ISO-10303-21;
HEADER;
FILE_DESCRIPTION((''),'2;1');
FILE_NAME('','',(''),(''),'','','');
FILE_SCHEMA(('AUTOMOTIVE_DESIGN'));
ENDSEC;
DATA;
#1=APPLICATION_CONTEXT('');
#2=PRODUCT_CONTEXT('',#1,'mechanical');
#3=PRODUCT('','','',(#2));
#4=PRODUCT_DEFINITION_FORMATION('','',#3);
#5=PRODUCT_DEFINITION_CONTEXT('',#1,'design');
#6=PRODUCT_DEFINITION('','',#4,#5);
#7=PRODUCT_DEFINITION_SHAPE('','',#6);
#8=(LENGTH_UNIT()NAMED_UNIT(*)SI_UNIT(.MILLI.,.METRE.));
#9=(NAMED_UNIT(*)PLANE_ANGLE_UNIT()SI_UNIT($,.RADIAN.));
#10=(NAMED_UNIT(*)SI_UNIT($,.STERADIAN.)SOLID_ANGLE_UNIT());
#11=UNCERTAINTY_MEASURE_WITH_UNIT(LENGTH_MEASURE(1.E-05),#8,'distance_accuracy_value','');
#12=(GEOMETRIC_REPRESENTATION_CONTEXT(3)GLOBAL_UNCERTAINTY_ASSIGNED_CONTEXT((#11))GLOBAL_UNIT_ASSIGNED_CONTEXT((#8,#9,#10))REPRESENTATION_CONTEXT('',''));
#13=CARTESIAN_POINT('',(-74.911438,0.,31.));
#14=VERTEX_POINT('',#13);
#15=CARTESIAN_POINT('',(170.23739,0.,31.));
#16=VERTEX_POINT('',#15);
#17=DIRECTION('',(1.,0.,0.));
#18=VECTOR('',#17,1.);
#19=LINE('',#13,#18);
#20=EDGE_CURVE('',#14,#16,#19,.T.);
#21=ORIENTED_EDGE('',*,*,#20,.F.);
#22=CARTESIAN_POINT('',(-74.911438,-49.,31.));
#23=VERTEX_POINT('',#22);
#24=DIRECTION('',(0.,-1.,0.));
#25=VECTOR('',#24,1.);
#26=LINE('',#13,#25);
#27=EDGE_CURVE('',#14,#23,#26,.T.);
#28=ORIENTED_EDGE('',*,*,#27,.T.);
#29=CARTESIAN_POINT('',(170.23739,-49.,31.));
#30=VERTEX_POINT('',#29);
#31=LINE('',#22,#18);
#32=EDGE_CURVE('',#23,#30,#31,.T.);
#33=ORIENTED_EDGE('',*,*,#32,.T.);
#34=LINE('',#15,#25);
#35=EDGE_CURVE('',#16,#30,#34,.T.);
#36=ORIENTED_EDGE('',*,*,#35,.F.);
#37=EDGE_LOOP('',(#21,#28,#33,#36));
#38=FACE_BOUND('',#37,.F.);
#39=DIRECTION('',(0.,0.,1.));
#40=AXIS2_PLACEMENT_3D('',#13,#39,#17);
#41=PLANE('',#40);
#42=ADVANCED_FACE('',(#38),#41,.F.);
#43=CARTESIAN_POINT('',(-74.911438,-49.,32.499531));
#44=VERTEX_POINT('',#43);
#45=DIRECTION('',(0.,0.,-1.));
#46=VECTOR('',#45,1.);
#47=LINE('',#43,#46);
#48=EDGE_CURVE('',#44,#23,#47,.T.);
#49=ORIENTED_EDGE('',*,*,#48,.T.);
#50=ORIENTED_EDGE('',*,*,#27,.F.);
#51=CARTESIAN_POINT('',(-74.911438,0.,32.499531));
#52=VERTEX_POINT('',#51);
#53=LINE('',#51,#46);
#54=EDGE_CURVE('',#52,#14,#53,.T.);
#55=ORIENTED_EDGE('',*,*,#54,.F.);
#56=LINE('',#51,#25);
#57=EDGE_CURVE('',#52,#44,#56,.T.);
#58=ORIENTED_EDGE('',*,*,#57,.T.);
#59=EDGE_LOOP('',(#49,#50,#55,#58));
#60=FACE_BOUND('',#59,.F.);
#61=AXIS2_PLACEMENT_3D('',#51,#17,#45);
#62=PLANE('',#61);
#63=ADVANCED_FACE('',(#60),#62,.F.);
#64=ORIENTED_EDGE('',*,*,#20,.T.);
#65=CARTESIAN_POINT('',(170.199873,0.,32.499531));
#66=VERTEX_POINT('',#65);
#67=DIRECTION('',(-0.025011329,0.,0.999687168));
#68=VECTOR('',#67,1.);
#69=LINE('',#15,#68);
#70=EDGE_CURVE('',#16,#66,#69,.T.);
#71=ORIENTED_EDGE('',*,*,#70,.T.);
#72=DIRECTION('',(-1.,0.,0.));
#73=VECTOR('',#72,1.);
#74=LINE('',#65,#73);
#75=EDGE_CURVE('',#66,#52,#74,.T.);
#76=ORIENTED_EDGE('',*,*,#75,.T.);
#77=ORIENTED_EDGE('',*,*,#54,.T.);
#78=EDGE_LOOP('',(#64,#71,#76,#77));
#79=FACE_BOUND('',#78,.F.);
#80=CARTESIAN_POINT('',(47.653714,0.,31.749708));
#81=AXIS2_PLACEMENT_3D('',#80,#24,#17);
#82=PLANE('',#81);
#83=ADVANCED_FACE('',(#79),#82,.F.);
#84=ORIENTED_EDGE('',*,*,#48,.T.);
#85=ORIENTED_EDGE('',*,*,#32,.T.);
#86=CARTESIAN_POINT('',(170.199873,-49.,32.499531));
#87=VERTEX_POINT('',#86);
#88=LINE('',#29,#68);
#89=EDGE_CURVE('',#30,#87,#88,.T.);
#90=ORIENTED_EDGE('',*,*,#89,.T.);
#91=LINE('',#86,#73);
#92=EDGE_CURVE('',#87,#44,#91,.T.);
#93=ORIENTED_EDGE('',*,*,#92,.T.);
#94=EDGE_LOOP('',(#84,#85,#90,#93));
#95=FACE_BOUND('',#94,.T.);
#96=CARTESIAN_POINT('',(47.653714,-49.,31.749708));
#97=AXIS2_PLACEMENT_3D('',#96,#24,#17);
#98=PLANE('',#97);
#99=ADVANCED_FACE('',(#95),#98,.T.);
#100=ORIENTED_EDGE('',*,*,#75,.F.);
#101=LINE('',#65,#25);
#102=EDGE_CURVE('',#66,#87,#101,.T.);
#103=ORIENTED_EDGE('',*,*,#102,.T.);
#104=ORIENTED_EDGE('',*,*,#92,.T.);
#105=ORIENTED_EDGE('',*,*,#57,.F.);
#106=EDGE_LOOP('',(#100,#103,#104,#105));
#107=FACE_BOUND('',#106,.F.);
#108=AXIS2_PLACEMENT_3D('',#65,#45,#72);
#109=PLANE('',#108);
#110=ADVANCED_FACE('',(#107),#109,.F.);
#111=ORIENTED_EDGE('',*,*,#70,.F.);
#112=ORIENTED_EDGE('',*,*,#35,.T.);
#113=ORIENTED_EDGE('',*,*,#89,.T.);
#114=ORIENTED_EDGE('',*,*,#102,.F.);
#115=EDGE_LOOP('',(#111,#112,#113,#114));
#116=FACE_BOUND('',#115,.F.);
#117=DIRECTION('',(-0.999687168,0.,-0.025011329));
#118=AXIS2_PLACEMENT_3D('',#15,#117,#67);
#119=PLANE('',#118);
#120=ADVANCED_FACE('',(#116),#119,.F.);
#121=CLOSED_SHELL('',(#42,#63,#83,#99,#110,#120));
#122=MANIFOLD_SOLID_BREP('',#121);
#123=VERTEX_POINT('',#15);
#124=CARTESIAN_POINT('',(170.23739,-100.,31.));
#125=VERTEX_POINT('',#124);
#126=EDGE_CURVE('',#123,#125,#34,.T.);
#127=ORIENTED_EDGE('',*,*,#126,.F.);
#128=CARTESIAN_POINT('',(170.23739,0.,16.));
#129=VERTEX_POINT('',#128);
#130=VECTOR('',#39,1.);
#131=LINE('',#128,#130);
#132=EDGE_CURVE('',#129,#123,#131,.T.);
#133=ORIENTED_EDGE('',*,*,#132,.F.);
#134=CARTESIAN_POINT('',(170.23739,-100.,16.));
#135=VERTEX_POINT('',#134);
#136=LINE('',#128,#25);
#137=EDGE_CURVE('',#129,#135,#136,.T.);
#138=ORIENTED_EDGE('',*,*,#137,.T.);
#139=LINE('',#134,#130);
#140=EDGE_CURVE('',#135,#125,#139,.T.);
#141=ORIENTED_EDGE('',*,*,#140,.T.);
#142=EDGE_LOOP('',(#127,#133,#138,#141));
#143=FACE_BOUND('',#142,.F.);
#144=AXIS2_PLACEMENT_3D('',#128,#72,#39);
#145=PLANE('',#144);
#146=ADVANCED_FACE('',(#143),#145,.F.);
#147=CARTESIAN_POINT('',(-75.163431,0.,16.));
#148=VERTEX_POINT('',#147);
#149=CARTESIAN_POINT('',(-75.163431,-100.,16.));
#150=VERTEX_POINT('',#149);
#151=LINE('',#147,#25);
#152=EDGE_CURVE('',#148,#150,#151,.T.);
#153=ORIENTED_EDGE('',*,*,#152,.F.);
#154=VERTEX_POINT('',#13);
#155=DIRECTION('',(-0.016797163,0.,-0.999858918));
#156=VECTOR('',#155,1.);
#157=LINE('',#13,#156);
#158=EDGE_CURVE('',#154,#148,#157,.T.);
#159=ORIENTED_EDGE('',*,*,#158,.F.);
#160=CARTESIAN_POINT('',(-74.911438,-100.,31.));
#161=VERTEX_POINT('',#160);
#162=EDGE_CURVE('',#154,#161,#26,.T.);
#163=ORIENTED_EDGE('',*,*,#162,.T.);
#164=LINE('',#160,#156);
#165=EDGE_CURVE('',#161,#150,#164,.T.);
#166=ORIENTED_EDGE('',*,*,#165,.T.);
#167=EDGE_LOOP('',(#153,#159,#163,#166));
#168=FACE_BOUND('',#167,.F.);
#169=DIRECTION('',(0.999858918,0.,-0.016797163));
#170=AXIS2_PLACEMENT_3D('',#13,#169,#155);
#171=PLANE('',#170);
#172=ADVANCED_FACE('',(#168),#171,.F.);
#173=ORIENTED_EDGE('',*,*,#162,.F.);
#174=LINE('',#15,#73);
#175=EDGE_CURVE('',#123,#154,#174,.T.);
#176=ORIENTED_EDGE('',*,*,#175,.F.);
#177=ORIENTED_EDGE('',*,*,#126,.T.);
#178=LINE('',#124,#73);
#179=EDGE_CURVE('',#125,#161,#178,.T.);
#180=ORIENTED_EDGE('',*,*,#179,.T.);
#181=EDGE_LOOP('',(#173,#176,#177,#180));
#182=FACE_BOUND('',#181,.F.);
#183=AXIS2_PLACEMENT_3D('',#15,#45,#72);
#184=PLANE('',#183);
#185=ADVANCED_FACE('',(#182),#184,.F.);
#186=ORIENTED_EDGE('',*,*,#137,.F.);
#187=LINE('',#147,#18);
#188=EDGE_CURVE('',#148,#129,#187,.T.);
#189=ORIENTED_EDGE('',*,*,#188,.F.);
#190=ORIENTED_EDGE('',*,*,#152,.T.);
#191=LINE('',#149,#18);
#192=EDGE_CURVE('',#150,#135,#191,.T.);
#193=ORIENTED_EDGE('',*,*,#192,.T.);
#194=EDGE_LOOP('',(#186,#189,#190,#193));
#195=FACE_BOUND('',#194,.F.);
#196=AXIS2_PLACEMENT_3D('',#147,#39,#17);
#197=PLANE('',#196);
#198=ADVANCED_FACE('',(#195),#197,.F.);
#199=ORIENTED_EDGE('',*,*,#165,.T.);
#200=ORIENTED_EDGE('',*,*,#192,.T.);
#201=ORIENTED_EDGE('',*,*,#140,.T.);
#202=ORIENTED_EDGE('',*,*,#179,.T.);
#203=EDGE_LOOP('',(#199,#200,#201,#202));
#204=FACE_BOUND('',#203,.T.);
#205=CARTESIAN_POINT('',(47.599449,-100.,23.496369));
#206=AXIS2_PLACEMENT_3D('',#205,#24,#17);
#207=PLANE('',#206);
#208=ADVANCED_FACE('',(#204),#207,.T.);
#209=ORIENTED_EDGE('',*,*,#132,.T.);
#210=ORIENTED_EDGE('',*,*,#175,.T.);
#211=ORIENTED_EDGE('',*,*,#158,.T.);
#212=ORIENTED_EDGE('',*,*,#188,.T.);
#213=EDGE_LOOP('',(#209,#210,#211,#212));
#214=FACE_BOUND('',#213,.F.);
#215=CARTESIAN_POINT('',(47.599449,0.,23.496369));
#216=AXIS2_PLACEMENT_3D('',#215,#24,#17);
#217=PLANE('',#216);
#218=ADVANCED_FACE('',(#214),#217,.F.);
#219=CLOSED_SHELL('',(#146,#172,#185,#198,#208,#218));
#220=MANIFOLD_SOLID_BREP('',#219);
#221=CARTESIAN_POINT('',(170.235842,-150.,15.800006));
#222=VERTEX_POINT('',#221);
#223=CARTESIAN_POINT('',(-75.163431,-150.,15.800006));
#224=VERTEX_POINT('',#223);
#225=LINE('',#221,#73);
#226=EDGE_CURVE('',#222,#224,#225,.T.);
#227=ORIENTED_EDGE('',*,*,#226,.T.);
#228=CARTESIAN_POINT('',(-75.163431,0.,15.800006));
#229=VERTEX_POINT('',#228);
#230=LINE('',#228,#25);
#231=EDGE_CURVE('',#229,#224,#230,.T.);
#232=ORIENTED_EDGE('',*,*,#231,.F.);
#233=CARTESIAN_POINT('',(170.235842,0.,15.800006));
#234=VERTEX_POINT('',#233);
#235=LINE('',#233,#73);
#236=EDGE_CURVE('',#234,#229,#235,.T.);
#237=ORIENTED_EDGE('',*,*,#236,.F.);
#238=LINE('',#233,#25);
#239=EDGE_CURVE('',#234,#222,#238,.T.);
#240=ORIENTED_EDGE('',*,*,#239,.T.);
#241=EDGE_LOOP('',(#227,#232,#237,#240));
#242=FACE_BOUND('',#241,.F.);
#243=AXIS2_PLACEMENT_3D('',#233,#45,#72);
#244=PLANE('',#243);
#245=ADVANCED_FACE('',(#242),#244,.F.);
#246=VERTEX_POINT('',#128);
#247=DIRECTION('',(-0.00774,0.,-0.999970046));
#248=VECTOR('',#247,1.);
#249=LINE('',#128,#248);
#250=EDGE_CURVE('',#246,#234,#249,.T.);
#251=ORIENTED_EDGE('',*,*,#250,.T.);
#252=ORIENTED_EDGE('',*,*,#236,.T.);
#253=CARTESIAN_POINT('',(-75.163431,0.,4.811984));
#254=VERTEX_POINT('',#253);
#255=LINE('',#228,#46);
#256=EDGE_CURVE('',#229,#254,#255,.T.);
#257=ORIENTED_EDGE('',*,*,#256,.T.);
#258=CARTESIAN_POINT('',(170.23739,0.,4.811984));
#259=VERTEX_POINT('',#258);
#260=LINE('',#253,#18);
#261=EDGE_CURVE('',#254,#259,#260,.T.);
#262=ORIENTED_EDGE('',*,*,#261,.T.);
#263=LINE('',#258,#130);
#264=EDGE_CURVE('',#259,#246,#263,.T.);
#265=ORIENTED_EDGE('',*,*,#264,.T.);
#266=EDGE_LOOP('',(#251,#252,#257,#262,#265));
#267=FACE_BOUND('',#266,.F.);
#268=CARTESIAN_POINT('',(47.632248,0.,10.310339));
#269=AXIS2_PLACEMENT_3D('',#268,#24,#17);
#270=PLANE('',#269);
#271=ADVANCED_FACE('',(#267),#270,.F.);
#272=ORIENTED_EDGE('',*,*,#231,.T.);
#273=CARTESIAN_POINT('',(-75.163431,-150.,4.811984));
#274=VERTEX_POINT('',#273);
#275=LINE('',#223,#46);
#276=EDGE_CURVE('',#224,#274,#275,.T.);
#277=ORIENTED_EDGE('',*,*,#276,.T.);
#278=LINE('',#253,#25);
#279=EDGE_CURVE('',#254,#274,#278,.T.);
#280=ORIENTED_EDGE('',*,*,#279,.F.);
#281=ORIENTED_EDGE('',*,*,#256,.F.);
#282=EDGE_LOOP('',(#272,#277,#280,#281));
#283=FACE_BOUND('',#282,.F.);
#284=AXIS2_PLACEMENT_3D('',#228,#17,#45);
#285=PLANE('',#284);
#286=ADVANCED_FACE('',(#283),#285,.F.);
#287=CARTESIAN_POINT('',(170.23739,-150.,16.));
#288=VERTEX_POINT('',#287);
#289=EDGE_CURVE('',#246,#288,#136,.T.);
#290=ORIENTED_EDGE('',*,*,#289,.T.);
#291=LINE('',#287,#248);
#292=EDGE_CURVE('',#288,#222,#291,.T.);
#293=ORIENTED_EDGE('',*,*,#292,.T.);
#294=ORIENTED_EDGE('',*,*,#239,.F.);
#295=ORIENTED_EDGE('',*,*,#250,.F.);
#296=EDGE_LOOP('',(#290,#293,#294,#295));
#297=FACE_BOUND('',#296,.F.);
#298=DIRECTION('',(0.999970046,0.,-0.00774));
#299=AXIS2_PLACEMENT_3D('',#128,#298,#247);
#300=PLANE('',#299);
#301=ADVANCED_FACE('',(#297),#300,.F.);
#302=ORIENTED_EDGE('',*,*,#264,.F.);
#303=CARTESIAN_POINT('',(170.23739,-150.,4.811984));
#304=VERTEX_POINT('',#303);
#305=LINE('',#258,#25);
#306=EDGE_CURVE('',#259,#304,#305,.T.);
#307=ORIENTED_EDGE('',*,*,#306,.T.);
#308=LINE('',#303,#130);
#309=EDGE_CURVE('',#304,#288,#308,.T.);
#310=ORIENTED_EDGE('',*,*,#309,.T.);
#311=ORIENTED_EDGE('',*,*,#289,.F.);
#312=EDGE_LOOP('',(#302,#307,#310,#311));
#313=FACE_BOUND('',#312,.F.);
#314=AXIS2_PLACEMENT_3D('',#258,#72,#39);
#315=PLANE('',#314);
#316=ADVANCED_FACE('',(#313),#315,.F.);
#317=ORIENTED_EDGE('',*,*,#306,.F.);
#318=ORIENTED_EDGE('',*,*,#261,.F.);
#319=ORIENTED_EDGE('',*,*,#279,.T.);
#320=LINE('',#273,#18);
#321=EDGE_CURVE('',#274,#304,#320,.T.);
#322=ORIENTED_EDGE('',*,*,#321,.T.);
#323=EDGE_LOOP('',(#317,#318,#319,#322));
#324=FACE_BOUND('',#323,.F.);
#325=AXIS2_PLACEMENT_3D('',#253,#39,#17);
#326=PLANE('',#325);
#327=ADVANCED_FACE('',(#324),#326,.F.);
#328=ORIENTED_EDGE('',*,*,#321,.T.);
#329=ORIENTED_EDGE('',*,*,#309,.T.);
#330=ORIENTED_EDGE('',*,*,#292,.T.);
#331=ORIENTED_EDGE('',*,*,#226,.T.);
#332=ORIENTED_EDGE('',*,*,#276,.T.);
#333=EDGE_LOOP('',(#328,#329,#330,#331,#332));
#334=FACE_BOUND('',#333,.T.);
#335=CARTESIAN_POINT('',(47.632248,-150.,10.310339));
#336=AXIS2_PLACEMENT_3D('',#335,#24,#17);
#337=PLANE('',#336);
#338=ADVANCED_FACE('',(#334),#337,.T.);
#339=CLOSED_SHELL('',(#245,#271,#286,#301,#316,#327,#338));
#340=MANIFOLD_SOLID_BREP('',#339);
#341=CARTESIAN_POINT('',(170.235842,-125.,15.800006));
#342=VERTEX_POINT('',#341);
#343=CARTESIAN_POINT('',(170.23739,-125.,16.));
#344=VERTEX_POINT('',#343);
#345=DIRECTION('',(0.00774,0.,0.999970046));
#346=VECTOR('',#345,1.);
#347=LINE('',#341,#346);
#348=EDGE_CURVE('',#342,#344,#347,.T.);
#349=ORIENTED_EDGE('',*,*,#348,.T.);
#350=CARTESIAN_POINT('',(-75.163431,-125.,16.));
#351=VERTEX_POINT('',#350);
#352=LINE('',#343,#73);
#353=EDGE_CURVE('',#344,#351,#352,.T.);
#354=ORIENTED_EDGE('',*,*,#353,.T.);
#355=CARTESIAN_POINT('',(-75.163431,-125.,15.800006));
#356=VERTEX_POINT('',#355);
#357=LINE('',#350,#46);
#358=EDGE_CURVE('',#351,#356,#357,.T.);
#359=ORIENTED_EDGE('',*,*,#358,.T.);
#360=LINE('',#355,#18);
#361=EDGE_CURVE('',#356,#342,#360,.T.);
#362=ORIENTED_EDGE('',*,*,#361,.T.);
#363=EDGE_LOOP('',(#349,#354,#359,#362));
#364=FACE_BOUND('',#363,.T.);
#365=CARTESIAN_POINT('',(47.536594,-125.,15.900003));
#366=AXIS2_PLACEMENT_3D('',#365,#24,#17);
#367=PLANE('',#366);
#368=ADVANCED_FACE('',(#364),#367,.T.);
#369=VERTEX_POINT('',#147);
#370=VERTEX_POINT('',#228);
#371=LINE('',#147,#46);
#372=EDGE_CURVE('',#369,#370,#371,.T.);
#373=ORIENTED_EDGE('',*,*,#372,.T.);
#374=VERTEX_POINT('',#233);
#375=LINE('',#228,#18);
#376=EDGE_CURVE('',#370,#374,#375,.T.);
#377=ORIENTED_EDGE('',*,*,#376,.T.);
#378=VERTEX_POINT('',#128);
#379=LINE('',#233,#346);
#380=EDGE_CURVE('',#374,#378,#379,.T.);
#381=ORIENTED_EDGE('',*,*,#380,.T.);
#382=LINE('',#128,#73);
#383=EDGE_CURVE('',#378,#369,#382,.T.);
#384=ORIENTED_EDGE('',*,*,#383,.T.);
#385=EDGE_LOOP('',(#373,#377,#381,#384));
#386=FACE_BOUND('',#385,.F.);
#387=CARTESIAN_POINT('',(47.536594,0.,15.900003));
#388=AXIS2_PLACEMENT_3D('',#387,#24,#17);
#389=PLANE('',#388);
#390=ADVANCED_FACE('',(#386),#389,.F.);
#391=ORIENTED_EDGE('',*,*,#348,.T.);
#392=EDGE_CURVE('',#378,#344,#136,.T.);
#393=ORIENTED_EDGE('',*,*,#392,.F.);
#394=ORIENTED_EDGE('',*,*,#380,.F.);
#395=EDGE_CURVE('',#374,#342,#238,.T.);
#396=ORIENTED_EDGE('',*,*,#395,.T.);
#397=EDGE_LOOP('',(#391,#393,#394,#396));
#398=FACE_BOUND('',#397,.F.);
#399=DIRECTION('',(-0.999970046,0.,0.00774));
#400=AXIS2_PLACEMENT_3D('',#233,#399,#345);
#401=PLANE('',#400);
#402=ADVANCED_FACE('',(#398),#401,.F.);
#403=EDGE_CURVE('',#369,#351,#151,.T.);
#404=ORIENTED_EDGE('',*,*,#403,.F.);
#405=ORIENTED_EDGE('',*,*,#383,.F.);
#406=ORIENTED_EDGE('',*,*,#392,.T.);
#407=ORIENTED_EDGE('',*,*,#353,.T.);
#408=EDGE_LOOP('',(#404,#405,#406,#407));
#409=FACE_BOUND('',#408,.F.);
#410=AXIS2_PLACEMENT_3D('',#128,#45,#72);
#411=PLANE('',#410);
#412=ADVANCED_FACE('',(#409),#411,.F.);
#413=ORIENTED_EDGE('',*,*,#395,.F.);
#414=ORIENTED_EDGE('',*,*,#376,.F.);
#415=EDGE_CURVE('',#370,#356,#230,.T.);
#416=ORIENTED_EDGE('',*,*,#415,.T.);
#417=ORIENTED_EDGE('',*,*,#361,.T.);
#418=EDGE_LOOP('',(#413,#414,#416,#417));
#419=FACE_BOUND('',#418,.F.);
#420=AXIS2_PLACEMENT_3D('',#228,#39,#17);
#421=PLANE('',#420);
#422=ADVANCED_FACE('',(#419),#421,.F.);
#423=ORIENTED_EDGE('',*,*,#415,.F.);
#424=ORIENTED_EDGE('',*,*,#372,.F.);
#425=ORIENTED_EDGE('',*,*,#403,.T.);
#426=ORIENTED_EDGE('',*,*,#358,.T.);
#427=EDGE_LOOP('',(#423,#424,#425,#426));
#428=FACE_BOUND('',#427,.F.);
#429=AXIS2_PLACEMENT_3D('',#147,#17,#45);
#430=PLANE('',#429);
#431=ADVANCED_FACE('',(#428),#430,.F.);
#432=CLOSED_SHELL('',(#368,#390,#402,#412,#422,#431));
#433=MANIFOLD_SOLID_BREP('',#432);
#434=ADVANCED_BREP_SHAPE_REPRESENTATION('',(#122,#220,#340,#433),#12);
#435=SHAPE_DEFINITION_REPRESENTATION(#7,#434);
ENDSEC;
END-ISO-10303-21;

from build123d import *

# Parameters (mm, degrees)
F1_DEPTH = 125
F2_DEPTH = 100
F3_DEPTH = 49
F4_DEPTH = 150


with BuildPart() as f1:
    # F0 (on Front) → F1 (new body)
    with BuildSketch(Plane.XZ):
        Polygon((-21.76261, 16), (-43.054478, 16), (-75.163431, 16), (-75.163431, 15.800006), (170.235842, 15.800006), (170.23739, 16), (148.945522, 16), (106.23739, 16), (84.945522, 16), (42.23739, 16), (20.945522, 16), align=None)
    extrude(amount=F1_DEPTH)


with BuildPart() as f2:
    # F0 (on Front) → F2 (new body)
    with BuildSketch(Plane.XZ):
        Polygon((-75.163431, 16), (-43.054478, 16), (-21.76261, 16), (20.945522, 16), (42.23739, 16), (84.945522, 16), (106.23739, 16), (148.945522, 16), (170.23739, 16), (170.23739, 31), (-74.911438, 31), align=None)
    extrude(amount=F2_DEPTH)


with BuildPart() as f3:
    # F0 (on Front) → F3 (new body)
    with BuildSketch(Plane.XZ):
        Polygon((-74.911438, 32.499531), (-74.911438, 31), (170.23739, 31), (170.199873, 32.499531), align=None)
    extrude(amount=F3_DEPTH)


with BuildPart() as f4:
    # F0 (on Front) → F4 (new body)
    with BuildSketch(Plane.XZ):
        Polygon((170.235842, 15.800006), (-75.163431, 15.800006), (-75.163431, 4.811984), (170.23739, 4.811984), (170.23739, 16), align=None)
    extrude(amount=F4_DEPTH)


solid = Compound([f1.part, f2.part, f3.part, f4.part])
